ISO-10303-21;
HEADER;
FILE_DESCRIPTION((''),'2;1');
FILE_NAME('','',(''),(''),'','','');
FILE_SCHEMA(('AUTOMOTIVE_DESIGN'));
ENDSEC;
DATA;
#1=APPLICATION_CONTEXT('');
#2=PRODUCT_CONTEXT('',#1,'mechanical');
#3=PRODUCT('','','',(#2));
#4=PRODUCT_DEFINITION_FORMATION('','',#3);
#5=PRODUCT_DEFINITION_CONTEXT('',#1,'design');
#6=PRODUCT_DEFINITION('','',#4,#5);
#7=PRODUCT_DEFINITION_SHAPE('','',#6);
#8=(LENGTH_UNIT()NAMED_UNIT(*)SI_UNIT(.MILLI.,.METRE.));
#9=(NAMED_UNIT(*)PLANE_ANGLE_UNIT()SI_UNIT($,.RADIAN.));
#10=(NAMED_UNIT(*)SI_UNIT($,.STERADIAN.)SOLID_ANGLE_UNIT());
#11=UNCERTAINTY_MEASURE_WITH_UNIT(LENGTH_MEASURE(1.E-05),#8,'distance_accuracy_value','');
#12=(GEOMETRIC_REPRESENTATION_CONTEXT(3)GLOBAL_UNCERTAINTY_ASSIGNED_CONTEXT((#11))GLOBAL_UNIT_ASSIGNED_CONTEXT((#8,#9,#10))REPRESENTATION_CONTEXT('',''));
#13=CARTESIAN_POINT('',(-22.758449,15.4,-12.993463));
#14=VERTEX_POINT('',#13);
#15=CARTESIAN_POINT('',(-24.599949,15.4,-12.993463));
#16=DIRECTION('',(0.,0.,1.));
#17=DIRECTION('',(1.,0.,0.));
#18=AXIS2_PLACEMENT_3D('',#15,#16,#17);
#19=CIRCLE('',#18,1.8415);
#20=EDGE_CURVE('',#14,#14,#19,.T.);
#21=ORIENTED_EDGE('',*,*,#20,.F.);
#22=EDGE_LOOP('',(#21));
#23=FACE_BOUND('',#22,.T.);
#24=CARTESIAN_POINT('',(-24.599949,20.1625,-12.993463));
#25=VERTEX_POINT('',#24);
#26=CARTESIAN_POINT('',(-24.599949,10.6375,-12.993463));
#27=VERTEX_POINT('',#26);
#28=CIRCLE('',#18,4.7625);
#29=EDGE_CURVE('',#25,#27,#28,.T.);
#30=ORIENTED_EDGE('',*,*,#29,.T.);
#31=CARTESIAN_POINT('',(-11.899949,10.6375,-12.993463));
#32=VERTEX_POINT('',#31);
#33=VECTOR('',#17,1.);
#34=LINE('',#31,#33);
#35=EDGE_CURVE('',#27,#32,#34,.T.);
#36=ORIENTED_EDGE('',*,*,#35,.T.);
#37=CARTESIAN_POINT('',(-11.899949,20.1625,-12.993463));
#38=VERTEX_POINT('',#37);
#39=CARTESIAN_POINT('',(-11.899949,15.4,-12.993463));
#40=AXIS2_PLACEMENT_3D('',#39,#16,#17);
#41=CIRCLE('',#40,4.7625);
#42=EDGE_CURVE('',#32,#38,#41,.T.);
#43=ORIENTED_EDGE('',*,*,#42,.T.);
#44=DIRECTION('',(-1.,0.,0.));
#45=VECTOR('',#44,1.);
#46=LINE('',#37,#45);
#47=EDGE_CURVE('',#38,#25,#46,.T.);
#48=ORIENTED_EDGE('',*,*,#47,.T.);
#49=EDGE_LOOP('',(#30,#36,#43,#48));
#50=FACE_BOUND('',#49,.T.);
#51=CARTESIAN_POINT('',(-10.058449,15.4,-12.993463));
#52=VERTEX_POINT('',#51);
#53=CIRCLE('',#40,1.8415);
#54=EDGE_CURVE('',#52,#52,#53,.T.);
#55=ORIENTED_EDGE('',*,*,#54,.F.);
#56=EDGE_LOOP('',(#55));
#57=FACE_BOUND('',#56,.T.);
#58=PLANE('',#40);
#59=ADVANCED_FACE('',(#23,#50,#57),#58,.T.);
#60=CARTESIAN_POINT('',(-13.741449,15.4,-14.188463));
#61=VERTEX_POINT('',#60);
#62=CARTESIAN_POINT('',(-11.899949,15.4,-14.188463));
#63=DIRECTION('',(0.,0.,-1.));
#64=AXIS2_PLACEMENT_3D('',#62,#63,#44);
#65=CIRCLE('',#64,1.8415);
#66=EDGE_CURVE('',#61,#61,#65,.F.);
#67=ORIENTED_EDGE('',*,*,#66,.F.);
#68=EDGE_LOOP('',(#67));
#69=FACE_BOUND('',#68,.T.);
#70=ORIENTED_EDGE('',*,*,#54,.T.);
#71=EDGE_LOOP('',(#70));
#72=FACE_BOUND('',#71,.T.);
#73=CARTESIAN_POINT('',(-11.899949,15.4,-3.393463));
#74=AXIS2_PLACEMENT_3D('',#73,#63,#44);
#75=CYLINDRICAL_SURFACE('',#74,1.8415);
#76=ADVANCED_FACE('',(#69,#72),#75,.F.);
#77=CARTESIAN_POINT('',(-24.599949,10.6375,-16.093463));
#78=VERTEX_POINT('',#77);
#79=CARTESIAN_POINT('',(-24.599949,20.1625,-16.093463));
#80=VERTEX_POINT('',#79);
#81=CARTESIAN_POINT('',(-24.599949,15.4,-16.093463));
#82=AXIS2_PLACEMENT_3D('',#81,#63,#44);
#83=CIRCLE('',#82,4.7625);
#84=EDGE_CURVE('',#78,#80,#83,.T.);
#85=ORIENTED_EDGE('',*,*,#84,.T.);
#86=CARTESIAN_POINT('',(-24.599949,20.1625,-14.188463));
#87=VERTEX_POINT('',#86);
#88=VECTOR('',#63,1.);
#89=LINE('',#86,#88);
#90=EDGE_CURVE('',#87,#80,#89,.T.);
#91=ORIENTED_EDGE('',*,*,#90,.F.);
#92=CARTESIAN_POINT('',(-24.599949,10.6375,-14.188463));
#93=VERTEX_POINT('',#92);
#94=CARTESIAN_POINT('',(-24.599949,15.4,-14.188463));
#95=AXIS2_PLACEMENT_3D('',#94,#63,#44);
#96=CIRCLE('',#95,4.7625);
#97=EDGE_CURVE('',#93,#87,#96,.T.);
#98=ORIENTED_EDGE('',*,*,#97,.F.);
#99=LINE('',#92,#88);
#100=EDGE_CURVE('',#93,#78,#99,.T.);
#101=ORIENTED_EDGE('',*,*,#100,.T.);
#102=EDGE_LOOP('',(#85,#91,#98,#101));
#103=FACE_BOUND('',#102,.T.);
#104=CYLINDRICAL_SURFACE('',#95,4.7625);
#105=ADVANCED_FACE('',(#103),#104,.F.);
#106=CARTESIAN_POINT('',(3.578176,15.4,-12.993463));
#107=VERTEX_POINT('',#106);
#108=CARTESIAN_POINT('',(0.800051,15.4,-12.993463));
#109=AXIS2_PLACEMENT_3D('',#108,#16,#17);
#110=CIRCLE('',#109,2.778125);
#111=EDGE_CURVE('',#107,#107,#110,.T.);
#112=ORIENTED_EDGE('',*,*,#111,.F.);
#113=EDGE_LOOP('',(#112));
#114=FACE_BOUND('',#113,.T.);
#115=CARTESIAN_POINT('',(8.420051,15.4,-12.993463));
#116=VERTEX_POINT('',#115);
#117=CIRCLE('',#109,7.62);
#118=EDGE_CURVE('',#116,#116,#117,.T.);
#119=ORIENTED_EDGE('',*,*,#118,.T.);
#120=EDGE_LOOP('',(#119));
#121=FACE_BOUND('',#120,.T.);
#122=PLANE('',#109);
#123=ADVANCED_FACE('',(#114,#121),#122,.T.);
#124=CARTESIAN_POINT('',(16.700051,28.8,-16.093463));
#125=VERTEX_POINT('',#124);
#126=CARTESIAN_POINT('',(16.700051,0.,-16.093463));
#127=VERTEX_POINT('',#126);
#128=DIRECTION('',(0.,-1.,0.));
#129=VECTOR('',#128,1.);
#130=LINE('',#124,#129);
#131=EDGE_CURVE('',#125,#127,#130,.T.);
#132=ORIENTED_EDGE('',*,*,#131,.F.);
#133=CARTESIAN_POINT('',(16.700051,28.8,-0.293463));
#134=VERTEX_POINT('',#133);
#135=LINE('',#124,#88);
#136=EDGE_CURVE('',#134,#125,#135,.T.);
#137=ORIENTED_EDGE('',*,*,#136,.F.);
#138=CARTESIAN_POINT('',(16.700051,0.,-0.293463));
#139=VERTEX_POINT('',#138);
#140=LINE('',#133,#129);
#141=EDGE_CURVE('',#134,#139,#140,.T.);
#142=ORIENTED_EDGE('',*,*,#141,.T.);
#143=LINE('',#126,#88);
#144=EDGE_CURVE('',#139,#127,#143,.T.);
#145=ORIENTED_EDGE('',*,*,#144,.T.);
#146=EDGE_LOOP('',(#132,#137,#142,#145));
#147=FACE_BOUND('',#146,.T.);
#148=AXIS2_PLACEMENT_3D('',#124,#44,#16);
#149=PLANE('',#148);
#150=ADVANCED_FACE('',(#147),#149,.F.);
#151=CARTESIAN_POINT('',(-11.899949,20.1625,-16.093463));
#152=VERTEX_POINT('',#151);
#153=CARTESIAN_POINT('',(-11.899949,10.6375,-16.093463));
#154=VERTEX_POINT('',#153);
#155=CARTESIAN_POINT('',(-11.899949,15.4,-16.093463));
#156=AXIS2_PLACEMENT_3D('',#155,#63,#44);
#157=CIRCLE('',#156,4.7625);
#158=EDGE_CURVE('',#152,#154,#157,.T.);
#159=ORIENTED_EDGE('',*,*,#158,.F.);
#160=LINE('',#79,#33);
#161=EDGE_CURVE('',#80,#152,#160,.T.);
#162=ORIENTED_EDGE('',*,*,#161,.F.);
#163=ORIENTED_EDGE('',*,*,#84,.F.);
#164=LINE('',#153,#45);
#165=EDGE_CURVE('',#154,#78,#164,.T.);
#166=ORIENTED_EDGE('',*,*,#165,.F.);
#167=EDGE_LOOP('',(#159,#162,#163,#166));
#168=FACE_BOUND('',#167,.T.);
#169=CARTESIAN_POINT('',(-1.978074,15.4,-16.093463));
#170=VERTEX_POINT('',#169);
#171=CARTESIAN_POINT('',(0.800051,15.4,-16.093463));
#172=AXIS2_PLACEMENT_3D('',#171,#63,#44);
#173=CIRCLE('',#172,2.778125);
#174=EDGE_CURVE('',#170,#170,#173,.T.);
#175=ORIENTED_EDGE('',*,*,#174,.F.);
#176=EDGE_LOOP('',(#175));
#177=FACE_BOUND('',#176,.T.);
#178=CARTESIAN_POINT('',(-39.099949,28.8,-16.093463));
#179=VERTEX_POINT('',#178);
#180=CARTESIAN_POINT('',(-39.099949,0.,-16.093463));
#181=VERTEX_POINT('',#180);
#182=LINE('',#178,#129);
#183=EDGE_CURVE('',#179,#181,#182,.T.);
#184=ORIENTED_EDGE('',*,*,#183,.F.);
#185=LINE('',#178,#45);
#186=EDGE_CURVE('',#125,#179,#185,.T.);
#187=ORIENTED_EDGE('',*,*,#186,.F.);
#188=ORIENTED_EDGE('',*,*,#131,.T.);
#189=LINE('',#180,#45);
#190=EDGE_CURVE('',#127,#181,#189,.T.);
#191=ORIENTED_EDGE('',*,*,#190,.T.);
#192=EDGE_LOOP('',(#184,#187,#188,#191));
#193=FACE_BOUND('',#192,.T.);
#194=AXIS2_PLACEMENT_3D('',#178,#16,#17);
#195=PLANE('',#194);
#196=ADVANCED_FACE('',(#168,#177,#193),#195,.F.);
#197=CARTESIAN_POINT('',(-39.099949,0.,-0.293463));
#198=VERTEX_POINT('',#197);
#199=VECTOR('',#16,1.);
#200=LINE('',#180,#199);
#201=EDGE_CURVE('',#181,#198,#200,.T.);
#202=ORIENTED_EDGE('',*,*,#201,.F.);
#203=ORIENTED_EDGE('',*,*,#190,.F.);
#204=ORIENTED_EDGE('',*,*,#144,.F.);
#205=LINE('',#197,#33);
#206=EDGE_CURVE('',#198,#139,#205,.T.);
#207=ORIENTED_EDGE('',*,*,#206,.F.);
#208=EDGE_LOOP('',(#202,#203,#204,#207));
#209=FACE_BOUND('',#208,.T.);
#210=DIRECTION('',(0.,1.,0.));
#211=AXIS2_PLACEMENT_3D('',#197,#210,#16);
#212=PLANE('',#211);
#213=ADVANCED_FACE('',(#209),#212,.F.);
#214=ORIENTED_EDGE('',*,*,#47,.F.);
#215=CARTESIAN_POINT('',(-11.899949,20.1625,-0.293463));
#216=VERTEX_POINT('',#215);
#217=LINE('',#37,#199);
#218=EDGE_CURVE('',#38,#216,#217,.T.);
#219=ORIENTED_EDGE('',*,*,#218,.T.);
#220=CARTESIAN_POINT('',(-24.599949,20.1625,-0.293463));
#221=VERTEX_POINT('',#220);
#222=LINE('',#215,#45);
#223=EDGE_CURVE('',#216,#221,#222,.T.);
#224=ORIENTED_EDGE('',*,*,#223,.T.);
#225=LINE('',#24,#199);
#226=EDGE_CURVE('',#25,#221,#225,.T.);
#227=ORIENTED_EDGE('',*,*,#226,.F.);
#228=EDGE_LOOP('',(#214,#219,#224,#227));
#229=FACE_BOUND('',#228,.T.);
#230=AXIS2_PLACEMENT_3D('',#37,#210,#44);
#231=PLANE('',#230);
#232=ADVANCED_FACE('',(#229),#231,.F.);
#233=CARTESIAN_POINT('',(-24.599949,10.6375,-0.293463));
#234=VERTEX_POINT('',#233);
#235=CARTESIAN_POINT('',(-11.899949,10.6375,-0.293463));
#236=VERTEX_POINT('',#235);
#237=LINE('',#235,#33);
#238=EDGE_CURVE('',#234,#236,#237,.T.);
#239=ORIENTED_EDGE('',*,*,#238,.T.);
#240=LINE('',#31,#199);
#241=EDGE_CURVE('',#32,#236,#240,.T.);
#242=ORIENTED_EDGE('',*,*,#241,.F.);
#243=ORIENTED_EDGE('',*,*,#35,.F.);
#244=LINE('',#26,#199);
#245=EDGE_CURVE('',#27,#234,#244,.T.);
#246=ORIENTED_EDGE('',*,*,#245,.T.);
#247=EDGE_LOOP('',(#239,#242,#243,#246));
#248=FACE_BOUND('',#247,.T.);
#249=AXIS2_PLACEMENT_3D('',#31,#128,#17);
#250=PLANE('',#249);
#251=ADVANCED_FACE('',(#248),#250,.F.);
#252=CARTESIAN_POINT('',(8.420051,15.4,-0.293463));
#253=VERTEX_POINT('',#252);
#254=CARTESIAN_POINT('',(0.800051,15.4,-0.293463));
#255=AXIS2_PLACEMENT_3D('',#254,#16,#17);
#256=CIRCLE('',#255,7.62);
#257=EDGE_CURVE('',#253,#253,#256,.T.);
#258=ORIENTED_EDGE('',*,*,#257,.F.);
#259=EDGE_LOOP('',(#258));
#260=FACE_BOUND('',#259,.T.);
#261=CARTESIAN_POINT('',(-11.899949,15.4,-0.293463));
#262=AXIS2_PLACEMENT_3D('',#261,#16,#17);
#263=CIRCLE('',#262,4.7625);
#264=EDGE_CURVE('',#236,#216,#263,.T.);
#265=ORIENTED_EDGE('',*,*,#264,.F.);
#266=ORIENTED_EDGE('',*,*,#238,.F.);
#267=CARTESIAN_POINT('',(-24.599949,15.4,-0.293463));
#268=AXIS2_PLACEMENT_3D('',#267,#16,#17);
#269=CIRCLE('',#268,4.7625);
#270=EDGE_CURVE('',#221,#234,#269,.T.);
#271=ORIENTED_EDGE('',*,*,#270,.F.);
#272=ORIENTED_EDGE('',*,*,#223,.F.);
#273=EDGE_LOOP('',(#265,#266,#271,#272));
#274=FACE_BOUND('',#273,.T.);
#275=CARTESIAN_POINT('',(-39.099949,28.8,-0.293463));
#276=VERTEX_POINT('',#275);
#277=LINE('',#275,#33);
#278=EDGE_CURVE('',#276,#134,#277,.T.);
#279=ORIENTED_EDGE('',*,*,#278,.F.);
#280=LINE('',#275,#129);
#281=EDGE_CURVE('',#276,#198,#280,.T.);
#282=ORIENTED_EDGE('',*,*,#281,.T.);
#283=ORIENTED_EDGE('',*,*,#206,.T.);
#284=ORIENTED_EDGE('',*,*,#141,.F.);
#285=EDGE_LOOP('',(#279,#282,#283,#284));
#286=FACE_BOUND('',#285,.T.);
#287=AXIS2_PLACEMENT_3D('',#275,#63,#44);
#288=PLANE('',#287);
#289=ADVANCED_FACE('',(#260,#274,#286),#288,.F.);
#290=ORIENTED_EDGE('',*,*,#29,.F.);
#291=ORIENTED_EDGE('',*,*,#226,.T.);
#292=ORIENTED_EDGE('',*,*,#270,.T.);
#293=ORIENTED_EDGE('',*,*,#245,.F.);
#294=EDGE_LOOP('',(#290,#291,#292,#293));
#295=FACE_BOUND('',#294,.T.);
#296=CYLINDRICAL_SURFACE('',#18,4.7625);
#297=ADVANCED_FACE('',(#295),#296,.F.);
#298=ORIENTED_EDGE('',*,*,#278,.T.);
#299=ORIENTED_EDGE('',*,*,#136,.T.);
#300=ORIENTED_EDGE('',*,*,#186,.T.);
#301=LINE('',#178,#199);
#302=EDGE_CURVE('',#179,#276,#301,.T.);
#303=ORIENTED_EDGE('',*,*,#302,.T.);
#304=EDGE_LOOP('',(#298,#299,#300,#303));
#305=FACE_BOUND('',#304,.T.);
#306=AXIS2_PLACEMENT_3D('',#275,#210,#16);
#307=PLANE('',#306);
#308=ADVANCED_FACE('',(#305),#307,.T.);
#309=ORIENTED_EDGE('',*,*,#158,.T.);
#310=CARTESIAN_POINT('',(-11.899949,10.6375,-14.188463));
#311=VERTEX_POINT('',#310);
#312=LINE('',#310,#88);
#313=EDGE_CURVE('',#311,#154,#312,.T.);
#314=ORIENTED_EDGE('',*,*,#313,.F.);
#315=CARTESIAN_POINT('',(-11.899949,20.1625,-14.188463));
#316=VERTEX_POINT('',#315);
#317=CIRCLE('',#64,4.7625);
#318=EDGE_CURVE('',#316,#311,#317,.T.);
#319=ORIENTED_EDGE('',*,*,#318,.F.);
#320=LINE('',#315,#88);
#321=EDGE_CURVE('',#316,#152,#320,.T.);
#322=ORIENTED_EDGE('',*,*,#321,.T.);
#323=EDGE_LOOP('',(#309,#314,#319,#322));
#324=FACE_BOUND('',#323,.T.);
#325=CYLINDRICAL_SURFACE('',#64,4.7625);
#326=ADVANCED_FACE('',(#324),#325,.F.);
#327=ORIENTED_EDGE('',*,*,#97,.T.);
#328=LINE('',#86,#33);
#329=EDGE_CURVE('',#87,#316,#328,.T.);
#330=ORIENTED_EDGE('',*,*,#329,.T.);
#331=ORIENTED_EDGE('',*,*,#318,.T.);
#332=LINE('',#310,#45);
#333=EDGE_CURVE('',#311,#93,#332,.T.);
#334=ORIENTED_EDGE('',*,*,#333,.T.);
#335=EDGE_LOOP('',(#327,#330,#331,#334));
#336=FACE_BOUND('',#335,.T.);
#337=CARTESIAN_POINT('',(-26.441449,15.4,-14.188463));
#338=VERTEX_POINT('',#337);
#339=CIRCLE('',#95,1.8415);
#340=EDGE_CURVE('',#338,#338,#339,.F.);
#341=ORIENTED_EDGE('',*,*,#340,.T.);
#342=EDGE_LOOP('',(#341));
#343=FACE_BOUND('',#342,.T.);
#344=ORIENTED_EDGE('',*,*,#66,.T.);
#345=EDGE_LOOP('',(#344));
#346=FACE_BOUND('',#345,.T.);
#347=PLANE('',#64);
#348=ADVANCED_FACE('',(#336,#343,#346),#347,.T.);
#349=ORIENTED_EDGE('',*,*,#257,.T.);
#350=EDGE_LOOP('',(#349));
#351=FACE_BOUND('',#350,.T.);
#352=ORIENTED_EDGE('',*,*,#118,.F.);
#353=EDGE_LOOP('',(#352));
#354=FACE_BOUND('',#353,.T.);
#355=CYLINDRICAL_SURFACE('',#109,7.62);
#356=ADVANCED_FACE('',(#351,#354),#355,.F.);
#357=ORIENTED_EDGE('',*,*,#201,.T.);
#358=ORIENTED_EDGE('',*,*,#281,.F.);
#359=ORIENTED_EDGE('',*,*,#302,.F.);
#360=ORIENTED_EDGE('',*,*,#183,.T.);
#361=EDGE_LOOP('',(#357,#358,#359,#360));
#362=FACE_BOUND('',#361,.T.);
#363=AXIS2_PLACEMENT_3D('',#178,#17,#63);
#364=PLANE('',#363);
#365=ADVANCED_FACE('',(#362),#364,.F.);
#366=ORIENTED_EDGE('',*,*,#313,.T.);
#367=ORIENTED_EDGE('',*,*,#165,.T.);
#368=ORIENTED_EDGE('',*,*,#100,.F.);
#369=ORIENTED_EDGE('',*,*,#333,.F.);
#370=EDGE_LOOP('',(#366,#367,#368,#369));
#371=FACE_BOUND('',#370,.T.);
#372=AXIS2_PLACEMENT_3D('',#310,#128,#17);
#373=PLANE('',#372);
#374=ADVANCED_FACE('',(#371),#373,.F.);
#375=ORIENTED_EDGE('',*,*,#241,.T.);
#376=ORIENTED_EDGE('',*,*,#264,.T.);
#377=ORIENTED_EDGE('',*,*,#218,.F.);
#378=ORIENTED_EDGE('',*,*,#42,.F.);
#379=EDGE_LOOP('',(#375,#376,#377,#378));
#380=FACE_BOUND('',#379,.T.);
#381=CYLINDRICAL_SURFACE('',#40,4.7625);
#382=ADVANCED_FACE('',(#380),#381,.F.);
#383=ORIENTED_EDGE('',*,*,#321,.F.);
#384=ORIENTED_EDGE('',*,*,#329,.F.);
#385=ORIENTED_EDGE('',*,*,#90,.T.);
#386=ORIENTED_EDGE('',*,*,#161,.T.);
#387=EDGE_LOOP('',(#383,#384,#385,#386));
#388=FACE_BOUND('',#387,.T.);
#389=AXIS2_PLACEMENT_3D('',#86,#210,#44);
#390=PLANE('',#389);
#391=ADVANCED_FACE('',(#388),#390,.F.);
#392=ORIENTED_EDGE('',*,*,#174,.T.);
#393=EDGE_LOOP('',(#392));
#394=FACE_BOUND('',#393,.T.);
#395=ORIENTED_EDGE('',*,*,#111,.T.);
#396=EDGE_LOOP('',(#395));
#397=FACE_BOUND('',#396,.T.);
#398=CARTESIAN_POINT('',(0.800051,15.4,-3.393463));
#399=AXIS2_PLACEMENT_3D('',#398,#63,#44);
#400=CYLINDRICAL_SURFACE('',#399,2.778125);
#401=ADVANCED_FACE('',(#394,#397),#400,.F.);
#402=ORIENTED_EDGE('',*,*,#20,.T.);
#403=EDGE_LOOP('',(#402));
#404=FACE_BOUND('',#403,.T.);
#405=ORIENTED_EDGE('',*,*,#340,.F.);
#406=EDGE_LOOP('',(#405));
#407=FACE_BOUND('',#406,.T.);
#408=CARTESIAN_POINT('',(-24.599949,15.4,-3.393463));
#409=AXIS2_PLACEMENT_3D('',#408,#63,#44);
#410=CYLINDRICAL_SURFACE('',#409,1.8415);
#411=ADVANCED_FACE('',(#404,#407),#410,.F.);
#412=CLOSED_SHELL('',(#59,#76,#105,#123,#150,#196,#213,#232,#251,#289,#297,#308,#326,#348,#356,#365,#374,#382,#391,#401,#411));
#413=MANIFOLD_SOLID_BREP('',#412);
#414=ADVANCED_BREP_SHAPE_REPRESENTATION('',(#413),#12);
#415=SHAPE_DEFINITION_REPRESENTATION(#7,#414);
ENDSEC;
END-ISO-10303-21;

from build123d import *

# Parameters (mm, degrees)
SKETCH1_W           = 55.8
SKETCH1_H           = 15.8
BOSS_EXTRUDE1_DEPTH = 28.8
SKETCH2_R           = 7.62
CUT_EXTRUDE1_DEPTH  = 12.7
SKETCH4_R           = 2.778125
SKETCH4_R_2         = 1.8415
CUT_EXTRUDE2_DEPTH  = 12.7
CUT_EXTRUDE6_DEPTH  = 1.905


with BuildPart() as part:
    # Sketch1 → Boss-Extrude1 (new body)
    with BuildSketch(Plane(origin=(0, 0, 0), x_dir=(1, 0, 0), z_dir=(0, 1, 0))):
        with Locations((-11.199948696, 8.193463303)):
            Rectangle(SKETCH1_W, SKETCH1_H)
    extrude(amount=BOSS_EXTRUDE1_DEPTH)

    # Sketch2 → Cut-Extrude1 (cut)
    with BuildSketch(Plane.XY.offset(-0.293463303)):
        with Locations((0.800051304, 15.4)):
            Circle(SKETCH2_R)
        with BuildLine():
            Line((-11.899948696, 10.6375), (-24.599948696, 10.6375))
            ThreePointArc((-24.599948696, 10.6375), (-29.362448696, 15.4), (-24.599948696, 20.1625))
            Line((-24.599948696, 20.1625), (-11.899948696, 20.1625))
            ThreePointArc((-11.899948696, 20.1625), (-7.137448696, 15.4), (-11.899948696, 10.6375))
        make_face()
    extrude(amount=-CUT_EXTRUDE1_DEPTH, mode=Mode.SUBTRACT)

    # Sketch4 → Cut-Extrude2 (cut)
    with BuildSketch(Plane(origin=(0, 0, -16.093463303), x_dir=(-1, 0, 0), z_dir=(0, 0, -1))):
        with Locations((-0.800051304, 15.4)):
            Circle(SKETCH4_R)
        with Locations((11.899948696, 15.4)):
            Circle(SKETCH4_R_2)
        with Locations((24.599948696, 15.4)):
            Circle(SKETCH4_R_2)
    extrude(amount=-CUT_EXTRUDE2_DEPTH, mode=Mode.SUBTRACT)

    # Sketch5 → Cut-Extrude6 (cut)
    with BuildSketch(Plane(origin=(0, 0, -16.093463303), x_dir=(-1, 0, 0), z_dir=(0, 0, -1))):
        with BuildLine():
            Line((24.599948696, 20.1625), (11.899948696, 20.1625))
            ThreePointArc((11.899948696, 20.1625), (7.137448696, 15.4), (11.899948696, 10.6375))
            Line((11.899948696, 10.6375), (24.599948696, 10.6375))
            ThreePointArc((24.599948696, 10.6375), (29.362448696, 15.4), (24.599948696, 20.1625))
        make_face()
    extrude(amount=-CUT_EXTRUDE6_DEPTH, mode=Mode.SUBTRACT)


solid = part.part
